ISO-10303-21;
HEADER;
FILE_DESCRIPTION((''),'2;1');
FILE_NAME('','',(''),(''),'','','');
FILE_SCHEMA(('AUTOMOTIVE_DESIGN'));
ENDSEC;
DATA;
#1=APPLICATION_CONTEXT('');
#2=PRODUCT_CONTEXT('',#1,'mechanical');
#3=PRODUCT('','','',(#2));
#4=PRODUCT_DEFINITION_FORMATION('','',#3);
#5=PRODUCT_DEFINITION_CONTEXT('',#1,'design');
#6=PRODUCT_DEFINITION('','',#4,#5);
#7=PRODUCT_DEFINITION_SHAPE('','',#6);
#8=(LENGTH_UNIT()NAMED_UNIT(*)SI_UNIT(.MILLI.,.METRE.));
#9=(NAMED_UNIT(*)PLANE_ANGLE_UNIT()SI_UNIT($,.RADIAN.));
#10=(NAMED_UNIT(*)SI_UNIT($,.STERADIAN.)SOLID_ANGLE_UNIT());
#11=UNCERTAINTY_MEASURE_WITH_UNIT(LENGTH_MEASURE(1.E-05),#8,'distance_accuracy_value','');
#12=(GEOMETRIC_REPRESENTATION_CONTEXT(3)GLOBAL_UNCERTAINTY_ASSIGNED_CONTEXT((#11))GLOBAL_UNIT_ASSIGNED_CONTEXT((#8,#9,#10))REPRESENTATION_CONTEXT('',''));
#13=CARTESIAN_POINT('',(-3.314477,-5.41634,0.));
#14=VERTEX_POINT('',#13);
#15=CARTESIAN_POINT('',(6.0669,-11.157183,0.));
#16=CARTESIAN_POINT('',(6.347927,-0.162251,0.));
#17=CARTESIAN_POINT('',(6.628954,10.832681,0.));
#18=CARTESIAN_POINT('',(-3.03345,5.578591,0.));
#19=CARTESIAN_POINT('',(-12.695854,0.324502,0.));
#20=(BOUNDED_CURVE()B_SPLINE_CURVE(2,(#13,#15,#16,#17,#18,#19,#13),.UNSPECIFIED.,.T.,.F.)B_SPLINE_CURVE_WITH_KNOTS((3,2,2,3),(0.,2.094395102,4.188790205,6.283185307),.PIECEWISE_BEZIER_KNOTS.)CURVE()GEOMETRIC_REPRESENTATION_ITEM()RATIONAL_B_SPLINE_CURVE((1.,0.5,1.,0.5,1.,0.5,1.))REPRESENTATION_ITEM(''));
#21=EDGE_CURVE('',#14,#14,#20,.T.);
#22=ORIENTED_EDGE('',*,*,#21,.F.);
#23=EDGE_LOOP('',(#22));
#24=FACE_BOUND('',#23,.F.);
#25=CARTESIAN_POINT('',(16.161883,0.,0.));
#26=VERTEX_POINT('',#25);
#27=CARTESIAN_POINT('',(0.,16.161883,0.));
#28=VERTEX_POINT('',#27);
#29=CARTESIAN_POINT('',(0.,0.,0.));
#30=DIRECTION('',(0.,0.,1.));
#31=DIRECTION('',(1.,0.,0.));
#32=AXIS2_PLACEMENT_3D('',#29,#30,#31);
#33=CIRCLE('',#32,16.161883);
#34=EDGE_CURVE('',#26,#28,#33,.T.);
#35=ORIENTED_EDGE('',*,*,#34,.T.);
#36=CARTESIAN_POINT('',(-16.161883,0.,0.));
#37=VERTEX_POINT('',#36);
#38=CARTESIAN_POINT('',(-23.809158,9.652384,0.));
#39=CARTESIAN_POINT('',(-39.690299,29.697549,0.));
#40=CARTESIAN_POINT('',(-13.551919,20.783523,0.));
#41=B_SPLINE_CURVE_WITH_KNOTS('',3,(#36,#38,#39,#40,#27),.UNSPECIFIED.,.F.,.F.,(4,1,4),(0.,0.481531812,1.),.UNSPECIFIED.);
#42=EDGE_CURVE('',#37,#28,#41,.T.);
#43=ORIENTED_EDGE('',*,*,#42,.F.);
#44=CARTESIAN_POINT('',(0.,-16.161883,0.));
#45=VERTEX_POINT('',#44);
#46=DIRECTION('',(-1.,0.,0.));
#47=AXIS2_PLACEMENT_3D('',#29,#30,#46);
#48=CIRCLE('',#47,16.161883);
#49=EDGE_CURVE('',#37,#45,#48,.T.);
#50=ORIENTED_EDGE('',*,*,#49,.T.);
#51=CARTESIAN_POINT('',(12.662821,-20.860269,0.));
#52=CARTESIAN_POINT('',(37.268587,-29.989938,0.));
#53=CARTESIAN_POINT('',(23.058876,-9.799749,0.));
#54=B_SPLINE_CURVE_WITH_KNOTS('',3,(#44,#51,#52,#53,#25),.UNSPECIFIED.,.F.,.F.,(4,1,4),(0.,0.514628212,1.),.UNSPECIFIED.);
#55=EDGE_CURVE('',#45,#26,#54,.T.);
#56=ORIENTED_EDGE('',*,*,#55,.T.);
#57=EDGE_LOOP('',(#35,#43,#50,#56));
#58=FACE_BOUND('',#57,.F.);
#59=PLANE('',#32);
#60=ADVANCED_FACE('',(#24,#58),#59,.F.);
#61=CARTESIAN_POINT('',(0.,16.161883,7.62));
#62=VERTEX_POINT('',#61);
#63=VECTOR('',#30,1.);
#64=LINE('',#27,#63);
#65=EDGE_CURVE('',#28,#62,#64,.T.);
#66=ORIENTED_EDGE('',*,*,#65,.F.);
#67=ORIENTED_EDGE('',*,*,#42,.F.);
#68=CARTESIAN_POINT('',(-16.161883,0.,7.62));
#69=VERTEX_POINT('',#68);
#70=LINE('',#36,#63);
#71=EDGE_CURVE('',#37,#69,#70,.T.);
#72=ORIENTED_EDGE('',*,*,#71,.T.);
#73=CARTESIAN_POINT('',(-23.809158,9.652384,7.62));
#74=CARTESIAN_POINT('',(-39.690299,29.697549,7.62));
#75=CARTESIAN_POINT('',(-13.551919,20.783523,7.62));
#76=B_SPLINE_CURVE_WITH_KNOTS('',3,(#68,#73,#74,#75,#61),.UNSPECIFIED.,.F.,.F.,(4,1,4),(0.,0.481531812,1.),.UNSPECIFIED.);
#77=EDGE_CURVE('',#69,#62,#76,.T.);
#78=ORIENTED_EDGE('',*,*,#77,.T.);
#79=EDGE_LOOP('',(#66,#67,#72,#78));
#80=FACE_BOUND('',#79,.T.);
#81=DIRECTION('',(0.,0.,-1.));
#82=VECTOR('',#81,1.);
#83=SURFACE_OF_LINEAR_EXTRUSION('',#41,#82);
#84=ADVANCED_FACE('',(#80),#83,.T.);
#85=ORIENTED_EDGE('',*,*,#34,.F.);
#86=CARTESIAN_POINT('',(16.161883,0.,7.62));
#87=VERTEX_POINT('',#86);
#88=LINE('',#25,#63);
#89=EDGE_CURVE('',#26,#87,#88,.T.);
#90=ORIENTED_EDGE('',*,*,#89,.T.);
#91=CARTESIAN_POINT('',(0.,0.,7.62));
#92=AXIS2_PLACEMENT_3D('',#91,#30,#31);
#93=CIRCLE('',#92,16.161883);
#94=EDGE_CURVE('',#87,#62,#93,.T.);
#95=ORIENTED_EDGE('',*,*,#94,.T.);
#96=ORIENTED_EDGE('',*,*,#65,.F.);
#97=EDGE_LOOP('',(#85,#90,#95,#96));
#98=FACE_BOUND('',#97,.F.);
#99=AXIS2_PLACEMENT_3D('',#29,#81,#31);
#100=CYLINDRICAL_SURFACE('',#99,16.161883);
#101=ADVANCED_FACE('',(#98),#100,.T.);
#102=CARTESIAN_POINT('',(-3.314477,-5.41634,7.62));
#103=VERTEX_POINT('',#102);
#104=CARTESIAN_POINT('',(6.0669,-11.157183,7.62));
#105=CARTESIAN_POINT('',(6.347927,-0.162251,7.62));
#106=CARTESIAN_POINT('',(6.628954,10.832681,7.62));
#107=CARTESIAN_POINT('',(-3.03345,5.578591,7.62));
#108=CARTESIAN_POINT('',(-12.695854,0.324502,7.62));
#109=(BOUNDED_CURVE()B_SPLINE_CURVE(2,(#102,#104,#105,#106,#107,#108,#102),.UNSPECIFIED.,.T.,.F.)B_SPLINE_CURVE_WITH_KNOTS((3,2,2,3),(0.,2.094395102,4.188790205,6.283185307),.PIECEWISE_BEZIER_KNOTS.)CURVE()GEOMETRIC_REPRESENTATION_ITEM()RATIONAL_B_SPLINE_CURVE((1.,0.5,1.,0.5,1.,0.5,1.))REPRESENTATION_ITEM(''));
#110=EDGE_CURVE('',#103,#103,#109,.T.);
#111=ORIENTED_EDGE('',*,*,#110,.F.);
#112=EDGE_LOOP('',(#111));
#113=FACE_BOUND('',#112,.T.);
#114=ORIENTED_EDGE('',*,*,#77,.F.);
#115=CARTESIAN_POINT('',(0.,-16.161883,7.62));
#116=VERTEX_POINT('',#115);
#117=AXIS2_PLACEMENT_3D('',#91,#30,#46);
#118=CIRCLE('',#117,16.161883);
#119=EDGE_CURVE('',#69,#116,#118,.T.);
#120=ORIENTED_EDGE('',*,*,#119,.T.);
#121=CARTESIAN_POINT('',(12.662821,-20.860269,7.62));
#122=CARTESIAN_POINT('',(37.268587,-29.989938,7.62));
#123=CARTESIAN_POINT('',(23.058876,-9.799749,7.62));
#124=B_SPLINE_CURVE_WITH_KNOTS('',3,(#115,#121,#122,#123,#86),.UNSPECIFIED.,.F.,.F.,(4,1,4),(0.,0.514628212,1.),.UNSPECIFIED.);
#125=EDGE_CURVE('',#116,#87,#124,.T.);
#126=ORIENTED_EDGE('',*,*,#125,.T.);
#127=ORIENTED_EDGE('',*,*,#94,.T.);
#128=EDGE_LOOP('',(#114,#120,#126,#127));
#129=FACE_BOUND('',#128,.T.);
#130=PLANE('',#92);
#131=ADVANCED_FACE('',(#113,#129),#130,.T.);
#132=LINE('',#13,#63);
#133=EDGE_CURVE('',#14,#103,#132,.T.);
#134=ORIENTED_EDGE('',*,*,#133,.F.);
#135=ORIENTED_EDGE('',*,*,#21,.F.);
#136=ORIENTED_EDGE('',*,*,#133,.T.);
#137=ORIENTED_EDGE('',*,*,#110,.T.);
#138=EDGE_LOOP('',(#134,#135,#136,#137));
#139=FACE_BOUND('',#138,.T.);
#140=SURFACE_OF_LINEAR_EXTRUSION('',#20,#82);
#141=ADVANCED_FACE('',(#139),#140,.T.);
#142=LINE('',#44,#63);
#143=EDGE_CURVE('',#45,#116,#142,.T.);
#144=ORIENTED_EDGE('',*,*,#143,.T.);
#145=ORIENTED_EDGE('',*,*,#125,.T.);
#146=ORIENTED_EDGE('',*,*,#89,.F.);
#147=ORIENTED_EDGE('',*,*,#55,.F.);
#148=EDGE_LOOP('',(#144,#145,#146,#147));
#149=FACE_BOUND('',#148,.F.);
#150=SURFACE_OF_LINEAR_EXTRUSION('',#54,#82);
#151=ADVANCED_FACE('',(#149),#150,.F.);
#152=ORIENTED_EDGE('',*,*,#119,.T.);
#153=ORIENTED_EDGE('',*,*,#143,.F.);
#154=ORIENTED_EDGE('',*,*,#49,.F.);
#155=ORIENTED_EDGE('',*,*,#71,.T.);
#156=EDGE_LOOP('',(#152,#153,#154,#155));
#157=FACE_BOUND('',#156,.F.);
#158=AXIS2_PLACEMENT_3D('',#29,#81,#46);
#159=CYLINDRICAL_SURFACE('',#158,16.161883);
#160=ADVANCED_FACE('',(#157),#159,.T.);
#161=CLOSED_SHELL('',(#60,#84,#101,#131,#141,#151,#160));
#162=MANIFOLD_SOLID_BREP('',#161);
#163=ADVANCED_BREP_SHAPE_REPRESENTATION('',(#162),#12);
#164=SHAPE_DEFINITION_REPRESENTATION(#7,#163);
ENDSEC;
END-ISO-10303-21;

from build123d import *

# Parameters (mm, degrees)
F1_DEPTH = 7.62


with BuildPart() as f1:
    # F0 (on Top) → F1 (new body)
    with BuildSketch(Plane.XY):
        with BuildLine():
            ThreePointArc((0, -16.1618834375), (11.4281773754, -11.4281773754), (16.1618834375, 0))
            ThreePointArc((16.1618834375, 0), (11.4281773754, 11.4281773754), (0, 16.1618834375))
            ThreePointArc((0, 16.1618834375), (-11.4281773754, 11.4281773754), (-16.1618834375, 0))
            ThreePointArc((-16.1618834375, 0), (-11.4281773754, -11.4281773754), (0, -16.1618834375))
        make_face()
        with BuildLine():
            add(Edge.make_bspline(
                [(-3.3144769964, -5.4163402996), (6.0668995936, -11.1571828578), (6.3479267931, -0.1622511293), (6.6289539927, 10.8326805991), (-3.0334497968, 5.5785914289), (-12.6958535863, 0.3245022587), (-3.3144769964, -5.4163402996)],
                knots=[0, 0, 0, 2.0943951024, 2.0943951024, 4.1887902048, 4.1887902048, 6.2831853072, 6.2831853072, 6.2831853072], degree=2, weights=[1, 0.5, 1, 0.5, 1, 0.5, 1]))
        make_face(mode=Mode.SUBTRACT)
        with BuildLine():
            add(Edge.make_bspline(
                [(0, -16.1618834375), (12.6628212145, -20.8602689442), (37.2685869177, -29.9899384705), (23.0588761543, -9.7997485682), (16.1618834375, 0)],
                knots=[0, 0, 0, 0, 0.5146282122, 1, 1, 1, 1], degree=3))
            ThreePointArc((16.1618834375, 0), (11.4281773754, -11.4281773754), (0, -16.1618834375))
        make_face()
        with BuildLine():
            ThreePointArc((-16.1618834375, 0), (-11.4281773754, 11.4281773754), (0, 16.1618834375))
            add(Edge.make_bspline(
                [(-16.1618834375, 0), (-23.80915812, 9.6523844252), (-39.6902992808, 29.6975490047), (-13.5519187742, 20.7835225696), (0, 16.1618834375)],
                knots=[0, 0, 0, 0, 0.4815318122, 1, 1, 1, 1], degree=3))
        make_face()
    extrude(amount=F1_DEPTH)


solid = f1.part
